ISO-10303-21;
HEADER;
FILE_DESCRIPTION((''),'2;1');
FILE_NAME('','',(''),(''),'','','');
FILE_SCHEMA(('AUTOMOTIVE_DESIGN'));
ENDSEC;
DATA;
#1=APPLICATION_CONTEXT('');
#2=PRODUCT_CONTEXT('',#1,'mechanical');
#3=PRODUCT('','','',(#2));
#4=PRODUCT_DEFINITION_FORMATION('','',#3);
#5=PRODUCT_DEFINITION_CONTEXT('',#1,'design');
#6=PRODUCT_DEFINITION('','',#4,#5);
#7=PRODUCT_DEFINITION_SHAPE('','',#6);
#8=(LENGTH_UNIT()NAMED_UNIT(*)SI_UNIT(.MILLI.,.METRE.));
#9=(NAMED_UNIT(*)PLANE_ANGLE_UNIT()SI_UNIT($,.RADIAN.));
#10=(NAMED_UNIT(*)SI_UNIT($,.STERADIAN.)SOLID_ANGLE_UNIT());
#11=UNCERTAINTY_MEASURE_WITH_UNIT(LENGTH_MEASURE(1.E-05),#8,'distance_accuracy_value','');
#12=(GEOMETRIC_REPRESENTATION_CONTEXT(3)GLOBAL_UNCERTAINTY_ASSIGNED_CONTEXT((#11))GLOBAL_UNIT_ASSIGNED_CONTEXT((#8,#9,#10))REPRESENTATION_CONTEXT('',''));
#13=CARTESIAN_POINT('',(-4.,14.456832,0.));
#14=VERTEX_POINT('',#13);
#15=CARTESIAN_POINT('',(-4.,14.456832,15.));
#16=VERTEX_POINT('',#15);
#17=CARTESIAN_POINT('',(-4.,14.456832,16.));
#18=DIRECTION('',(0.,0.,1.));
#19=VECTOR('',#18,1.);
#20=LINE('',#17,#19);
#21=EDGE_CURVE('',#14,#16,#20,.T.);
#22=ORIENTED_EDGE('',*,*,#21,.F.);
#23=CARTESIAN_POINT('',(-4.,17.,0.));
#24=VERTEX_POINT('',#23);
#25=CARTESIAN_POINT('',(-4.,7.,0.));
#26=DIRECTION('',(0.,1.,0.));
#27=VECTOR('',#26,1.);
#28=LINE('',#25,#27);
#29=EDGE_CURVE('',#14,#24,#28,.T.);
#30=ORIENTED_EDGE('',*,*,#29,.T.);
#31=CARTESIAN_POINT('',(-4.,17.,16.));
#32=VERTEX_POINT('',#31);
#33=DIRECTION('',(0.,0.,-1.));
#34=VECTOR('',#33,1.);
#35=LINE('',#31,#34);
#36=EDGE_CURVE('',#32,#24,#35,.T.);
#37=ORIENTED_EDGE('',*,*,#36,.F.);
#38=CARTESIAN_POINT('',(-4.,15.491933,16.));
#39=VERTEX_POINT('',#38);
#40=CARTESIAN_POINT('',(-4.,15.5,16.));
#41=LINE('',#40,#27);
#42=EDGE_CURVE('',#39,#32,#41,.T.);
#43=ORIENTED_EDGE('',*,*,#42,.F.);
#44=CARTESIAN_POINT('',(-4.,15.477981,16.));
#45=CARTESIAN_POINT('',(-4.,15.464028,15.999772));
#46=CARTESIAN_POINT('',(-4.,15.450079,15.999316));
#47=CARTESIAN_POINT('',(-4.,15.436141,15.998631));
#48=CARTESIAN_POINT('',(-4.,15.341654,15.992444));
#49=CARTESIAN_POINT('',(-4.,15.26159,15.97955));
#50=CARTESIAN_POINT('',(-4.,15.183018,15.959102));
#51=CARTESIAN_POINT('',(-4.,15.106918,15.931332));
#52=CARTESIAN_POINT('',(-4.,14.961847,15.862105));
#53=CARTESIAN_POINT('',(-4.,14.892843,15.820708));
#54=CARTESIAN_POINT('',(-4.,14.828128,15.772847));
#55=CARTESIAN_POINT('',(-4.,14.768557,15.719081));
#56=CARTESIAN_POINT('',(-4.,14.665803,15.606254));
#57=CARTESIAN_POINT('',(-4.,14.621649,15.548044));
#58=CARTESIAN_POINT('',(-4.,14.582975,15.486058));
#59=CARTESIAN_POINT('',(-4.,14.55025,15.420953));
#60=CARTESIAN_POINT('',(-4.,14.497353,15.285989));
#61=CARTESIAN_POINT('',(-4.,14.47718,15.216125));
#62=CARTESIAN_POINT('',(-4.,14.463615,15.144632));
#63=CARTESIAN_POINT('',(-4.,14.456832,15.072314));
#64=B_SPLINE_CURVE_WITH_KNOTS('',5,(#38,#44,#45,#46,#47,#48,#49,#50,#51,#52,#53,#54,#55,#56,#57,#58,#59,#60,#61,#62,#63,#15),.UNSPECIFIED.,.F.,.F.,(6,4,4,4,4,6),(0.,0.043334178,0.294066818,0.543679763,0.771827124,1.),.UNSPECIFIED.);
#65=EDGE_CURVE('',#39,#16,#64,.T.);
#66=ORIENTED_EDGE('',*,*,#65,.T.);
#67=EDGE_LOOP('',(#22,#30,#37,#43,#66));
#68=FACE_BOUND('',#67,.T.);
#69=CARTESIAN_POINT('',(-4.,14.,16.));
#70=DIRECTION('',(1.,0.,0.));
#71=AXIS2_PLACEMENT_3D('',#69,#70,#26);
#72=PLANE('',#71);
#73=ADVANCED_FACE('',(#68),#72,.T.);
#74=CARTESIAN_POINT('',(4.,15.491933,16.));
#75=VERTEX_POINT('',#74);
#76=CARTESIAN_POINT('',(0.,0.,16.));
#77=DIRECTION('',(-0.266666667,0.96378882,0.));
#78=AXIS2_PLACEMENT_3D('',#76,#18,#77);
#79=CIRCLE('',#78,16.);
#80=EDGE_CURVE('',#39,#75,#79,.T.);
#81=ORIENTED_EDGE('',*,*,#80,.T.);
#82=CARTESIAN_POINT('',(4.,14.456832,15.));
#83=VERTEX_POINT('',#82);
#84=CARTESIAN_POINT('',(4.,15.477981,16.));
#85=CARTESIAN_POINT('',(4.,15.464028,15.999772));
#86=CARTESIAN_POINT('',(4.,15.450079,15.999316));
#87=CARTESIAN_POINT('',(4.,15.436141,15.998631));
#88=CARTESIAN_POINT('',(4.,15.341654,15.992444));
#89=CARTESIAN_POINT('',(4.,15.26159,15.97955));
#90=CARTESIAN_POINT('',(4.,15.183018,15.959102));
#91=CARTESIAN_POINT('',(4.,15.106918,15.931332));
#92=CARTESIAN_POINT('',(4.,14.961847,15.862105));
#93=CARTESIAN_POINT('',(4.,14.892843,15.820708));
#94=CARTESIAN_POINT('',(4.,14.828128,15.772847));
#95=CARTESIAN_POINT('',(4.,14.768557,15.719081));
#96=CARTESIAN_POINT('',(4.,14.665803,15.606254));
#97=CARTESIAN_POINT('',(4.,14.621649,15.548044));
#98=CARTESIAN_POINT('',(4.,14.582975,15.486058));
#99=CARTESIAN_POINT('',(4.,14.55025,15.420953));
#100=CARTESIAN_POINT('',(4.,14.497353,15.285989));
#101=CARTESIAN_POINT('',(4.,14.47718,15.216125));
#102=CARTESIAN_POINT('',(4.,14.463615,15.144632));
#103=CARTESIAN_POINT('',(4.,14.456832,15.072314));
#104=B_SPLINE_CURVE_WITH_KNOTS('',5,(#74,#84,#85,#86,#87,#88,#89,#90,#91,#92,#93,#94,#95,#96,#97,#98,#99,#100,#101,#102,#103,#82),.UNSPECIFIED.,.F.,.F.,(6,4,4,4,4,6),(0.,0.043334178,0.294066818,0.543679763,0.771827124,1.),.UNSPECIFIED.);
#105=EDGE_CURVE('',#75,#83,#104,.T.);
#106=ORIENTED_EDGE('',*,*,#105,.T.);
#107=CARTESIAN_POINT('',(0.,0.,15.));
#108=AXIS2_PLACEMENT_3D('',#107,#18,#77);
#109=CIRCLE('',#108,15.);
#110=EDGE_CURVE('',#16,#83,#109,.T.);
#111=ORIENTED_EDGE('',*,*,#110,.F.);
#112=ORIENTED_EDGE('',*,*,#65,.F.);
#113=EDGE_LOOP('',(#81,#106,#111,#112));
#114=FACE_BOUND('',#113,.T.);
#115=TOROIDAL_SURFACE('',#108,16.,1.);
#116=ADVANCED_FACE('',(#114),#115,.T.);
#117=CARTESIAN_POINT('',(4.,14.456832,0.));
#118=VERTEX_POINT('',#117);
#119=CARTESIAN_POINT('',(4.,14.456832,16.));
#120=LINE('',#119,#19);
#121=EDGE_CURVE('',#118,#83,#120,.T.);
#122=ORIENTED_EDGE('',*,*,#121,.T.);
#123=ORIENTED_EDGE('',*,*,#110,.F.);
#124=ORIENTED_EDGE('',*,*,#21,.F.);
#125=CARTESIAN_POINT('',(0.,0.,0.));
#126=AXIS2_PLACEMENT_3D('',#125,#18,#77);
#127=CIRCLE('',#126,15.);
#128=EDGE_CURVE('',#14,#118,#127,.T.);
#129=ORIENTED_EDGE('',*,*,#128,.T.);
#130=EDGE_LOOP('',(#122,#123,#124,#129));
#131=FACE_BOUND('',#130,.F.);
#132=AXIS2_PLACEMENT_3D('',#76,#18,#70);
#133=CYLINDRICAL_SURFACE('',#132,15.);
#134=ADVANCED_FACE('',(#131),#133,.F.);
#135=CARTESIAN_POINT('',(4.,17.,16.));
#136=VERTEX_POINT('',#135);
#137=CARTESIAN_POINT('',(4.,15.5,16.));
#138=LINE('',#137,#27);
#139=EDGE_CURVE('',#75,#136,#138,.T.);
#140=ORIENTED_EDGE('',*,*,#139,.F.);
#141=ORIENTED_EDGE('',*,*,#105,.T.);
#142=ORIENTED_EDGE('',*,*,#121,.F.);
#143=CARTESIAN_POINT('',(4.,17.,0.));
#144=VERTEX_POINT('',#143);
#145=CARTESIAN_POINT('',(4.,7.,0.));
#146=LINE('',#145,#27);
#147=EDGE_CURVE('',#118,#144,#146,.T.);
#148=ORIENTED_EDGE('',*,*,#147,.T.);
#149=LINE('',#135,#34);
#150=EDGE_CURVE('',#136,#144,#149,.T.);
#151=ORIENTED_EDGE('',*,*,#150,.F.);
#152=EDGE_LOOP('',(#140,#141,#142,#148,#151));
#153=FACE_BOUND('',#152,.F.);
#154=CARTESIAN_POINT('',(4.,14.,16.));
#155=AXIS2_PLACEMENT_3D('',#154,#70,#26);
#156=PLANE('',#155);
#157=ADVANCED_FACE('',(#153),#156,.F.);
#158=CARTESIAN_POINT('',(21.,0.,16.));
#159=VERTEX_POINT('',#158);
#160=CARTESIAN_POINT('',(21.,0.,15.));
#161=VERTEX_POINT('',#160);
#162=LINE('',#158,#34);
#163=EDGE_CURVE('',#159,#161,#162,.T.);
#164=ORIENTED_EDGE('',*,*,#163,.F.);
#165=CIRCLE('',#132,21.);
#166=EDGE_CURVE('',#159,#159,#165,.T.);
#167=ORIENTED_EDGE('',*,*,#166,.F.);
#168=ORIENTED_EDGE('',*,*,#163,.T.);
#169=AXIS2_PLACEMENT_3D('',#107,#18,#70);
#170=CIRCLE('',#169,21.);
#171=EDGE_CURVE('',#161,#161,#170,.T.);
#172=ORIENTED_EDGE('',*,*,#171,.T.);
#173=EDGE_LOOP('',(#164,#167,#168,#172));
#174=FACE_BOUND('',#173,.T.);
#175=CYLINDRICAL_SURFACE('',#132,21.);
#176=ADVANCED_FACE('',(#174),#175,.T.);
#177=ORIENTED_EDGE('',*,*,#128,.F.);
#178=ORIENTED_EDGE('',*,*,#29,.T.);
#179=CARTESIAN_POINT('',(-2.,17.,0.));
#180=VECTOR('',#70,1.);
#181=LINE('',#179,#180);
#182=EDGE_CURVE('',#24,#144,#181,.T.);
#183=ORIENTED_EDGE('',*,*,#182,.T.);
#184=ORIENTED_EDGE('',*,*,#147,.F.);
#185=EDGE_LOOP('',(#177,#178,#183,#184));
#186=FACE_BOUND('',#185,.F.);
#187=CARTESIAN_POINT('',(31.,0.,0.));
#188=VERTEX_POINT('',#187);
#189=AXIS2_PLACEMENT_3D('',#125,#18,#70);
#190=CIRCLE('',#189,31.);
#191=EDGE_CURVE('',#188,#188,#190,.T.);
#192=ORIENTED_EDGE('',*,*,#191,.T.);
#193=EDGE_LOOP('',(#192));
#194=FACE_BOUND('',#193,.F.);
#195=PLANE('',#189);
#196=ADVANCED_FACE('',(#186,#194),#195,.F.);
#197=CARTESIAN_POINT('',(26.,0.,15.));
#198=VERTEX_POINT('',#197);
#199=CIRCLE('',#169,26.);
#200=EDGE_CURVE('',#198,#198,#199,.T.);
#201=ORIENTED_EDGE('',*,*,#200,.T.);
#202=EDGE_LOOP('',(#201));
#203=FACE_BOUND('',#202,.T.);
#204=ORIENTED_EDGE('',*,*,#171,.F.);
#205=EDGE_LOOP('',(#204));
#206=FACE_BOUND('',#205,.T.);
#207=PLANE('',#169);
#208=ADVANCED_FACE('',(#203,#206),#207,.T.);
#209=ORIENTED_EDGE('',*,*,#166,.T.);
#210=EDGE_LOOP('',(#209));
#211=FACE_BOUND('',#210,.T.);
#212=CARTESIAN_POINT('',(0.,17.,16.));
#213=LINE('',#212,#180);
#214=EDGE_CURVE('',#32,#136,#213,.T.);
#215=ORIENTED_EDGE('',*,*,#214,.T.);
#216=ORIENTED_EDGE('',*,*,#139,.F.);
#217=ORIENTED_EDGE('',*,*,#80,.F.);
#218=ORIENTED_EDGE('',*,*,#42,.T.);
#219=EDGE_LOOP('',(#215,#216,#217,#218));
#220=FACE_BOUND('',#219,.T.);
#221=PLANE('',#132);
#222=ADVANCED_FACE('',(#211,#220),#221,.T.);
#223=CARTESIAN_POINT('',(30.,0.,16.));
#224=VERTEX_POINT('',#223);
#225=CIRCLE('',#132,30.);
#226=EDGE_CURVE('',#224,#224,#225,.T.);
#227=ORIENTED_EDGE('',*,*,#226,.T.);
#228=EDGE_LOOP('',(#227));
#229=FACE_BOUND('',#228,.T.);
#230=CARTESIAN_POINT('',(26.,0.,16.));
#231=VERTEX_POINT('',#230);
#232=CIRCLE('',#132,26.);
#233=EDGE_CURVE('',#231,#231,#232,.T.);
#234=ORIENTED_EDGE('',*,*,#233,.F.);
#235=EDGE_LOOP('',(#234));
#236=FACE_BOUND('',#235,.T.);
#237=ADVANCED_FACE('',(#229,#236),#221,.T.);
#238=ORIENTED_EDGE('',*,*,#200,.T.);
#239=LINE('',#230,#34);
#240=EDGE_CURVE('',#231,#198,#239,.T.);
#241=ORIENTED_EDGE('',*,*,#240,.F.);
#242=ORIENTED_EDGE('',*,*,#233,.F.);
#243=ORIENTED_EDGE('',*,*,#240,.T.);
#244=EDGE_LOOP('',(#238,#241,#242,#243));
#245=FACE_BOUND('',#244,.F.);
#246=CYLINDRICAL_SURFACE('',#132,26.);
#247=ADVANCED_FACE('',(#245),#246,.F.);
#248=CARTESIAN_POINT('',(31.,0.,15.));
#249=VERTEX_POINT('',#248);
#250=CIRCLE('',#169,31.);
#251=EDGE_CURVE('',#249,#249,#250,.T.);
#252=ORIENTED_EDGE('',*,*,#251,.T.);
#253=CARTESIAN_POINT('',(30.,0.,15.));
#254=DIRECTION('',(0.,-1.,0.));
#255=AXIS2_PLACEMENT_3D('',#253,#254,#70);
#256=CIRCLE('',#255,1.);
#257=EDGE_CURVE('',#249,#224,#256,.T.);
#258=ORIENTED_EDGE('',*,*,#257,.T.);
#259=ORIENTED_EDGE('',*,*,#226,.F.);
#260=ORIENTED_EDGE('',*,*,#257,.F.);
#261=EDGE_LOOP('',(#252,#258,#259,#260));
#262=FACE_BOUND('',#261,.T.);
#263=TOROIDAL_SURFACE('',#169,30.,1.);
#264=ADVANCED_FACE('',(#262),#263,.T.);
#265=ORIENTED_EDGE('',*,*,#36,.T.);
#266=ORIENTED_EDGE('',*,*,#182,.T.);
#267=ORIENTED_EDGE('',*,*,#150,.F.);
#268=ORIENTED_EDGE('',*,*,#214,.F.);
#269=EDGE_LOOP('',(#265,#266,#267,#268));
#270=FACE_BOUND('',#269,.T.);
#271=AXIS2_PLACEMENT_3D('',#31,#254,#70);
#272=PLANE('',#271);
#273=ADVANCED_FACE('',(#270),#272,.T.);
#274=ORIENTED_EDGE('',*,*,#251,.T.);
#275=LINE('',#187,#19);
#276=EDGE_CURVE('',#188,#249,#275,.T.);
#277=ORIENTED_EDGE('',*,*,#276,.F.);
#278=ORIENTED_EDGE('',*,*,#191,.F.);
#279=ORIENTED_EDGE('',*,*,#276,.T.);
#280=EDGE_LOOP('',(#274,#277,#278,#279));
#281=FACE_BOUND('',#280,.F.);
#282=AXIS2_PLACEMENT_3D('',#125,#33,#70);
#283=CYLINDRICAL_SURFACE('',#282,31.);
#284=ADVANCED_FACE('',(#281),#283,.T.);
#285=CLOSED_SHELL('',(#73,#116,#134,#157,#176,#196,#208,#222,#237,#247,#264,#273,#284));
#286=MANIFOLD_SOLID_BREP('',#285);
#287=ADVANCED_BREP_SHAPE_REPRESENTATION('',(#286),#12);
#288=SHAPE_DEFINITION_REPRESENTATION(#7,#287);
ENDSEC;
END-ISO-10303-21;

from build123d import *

# Parameters (mm, degrees)
F0_R     = 31
F1_DEPTH = 16
F2_R     = 26
F2_R_2   = 21
F3_DEPTH = 1
F4_R     = 15
F5_DEPTH = 25
F6_W     = 8
F6_H     = 3
F7_DEPTH = 25
F8_R     = 1


with BuildPart() as f1:
    # F0 (on Top) → F1 (new body)
    with BuildSketch(Plane.XY):
        Circle(F0_R)
    extrude(amount=F1_DEPTH)

    # F2 (on face) → F3 (cut)
    with BuildSketch(Plane.XY.offset(16)):
        Circle(F2_R)
        Circle(F2_R_2, mode=Mode.SUBTRACT)
    extrude(amount=-F3_DEPTH, mode=Mode.SUBTRACT)

    # F4 (on face) → F5 (cut)
    with BuildSketch(Plane.XY.offset(16)):
        Circle(F4_R)
    extrude(amount=-F5_DEPTH, mode=Mode.SUBTRACT)

    # F6 (on face) → F7 (cut)
    with BuildSketch(Plane.XY.offset(16)):
        with Locations((0, 15.5)):
            Rectangle(F6_W, F6_H)
    extrude(amount=-F7_DEPTH, mode=Mode.SUBTRACT)

    # F8
    f8_edges = [f1.edges().sort_by_distance(p)[0] for p in [
        (0, -15, 16),
        (-31, 0, 16),
    ]]
    fillet(f8_edges, radius=F8_R)


solid = f1.part
